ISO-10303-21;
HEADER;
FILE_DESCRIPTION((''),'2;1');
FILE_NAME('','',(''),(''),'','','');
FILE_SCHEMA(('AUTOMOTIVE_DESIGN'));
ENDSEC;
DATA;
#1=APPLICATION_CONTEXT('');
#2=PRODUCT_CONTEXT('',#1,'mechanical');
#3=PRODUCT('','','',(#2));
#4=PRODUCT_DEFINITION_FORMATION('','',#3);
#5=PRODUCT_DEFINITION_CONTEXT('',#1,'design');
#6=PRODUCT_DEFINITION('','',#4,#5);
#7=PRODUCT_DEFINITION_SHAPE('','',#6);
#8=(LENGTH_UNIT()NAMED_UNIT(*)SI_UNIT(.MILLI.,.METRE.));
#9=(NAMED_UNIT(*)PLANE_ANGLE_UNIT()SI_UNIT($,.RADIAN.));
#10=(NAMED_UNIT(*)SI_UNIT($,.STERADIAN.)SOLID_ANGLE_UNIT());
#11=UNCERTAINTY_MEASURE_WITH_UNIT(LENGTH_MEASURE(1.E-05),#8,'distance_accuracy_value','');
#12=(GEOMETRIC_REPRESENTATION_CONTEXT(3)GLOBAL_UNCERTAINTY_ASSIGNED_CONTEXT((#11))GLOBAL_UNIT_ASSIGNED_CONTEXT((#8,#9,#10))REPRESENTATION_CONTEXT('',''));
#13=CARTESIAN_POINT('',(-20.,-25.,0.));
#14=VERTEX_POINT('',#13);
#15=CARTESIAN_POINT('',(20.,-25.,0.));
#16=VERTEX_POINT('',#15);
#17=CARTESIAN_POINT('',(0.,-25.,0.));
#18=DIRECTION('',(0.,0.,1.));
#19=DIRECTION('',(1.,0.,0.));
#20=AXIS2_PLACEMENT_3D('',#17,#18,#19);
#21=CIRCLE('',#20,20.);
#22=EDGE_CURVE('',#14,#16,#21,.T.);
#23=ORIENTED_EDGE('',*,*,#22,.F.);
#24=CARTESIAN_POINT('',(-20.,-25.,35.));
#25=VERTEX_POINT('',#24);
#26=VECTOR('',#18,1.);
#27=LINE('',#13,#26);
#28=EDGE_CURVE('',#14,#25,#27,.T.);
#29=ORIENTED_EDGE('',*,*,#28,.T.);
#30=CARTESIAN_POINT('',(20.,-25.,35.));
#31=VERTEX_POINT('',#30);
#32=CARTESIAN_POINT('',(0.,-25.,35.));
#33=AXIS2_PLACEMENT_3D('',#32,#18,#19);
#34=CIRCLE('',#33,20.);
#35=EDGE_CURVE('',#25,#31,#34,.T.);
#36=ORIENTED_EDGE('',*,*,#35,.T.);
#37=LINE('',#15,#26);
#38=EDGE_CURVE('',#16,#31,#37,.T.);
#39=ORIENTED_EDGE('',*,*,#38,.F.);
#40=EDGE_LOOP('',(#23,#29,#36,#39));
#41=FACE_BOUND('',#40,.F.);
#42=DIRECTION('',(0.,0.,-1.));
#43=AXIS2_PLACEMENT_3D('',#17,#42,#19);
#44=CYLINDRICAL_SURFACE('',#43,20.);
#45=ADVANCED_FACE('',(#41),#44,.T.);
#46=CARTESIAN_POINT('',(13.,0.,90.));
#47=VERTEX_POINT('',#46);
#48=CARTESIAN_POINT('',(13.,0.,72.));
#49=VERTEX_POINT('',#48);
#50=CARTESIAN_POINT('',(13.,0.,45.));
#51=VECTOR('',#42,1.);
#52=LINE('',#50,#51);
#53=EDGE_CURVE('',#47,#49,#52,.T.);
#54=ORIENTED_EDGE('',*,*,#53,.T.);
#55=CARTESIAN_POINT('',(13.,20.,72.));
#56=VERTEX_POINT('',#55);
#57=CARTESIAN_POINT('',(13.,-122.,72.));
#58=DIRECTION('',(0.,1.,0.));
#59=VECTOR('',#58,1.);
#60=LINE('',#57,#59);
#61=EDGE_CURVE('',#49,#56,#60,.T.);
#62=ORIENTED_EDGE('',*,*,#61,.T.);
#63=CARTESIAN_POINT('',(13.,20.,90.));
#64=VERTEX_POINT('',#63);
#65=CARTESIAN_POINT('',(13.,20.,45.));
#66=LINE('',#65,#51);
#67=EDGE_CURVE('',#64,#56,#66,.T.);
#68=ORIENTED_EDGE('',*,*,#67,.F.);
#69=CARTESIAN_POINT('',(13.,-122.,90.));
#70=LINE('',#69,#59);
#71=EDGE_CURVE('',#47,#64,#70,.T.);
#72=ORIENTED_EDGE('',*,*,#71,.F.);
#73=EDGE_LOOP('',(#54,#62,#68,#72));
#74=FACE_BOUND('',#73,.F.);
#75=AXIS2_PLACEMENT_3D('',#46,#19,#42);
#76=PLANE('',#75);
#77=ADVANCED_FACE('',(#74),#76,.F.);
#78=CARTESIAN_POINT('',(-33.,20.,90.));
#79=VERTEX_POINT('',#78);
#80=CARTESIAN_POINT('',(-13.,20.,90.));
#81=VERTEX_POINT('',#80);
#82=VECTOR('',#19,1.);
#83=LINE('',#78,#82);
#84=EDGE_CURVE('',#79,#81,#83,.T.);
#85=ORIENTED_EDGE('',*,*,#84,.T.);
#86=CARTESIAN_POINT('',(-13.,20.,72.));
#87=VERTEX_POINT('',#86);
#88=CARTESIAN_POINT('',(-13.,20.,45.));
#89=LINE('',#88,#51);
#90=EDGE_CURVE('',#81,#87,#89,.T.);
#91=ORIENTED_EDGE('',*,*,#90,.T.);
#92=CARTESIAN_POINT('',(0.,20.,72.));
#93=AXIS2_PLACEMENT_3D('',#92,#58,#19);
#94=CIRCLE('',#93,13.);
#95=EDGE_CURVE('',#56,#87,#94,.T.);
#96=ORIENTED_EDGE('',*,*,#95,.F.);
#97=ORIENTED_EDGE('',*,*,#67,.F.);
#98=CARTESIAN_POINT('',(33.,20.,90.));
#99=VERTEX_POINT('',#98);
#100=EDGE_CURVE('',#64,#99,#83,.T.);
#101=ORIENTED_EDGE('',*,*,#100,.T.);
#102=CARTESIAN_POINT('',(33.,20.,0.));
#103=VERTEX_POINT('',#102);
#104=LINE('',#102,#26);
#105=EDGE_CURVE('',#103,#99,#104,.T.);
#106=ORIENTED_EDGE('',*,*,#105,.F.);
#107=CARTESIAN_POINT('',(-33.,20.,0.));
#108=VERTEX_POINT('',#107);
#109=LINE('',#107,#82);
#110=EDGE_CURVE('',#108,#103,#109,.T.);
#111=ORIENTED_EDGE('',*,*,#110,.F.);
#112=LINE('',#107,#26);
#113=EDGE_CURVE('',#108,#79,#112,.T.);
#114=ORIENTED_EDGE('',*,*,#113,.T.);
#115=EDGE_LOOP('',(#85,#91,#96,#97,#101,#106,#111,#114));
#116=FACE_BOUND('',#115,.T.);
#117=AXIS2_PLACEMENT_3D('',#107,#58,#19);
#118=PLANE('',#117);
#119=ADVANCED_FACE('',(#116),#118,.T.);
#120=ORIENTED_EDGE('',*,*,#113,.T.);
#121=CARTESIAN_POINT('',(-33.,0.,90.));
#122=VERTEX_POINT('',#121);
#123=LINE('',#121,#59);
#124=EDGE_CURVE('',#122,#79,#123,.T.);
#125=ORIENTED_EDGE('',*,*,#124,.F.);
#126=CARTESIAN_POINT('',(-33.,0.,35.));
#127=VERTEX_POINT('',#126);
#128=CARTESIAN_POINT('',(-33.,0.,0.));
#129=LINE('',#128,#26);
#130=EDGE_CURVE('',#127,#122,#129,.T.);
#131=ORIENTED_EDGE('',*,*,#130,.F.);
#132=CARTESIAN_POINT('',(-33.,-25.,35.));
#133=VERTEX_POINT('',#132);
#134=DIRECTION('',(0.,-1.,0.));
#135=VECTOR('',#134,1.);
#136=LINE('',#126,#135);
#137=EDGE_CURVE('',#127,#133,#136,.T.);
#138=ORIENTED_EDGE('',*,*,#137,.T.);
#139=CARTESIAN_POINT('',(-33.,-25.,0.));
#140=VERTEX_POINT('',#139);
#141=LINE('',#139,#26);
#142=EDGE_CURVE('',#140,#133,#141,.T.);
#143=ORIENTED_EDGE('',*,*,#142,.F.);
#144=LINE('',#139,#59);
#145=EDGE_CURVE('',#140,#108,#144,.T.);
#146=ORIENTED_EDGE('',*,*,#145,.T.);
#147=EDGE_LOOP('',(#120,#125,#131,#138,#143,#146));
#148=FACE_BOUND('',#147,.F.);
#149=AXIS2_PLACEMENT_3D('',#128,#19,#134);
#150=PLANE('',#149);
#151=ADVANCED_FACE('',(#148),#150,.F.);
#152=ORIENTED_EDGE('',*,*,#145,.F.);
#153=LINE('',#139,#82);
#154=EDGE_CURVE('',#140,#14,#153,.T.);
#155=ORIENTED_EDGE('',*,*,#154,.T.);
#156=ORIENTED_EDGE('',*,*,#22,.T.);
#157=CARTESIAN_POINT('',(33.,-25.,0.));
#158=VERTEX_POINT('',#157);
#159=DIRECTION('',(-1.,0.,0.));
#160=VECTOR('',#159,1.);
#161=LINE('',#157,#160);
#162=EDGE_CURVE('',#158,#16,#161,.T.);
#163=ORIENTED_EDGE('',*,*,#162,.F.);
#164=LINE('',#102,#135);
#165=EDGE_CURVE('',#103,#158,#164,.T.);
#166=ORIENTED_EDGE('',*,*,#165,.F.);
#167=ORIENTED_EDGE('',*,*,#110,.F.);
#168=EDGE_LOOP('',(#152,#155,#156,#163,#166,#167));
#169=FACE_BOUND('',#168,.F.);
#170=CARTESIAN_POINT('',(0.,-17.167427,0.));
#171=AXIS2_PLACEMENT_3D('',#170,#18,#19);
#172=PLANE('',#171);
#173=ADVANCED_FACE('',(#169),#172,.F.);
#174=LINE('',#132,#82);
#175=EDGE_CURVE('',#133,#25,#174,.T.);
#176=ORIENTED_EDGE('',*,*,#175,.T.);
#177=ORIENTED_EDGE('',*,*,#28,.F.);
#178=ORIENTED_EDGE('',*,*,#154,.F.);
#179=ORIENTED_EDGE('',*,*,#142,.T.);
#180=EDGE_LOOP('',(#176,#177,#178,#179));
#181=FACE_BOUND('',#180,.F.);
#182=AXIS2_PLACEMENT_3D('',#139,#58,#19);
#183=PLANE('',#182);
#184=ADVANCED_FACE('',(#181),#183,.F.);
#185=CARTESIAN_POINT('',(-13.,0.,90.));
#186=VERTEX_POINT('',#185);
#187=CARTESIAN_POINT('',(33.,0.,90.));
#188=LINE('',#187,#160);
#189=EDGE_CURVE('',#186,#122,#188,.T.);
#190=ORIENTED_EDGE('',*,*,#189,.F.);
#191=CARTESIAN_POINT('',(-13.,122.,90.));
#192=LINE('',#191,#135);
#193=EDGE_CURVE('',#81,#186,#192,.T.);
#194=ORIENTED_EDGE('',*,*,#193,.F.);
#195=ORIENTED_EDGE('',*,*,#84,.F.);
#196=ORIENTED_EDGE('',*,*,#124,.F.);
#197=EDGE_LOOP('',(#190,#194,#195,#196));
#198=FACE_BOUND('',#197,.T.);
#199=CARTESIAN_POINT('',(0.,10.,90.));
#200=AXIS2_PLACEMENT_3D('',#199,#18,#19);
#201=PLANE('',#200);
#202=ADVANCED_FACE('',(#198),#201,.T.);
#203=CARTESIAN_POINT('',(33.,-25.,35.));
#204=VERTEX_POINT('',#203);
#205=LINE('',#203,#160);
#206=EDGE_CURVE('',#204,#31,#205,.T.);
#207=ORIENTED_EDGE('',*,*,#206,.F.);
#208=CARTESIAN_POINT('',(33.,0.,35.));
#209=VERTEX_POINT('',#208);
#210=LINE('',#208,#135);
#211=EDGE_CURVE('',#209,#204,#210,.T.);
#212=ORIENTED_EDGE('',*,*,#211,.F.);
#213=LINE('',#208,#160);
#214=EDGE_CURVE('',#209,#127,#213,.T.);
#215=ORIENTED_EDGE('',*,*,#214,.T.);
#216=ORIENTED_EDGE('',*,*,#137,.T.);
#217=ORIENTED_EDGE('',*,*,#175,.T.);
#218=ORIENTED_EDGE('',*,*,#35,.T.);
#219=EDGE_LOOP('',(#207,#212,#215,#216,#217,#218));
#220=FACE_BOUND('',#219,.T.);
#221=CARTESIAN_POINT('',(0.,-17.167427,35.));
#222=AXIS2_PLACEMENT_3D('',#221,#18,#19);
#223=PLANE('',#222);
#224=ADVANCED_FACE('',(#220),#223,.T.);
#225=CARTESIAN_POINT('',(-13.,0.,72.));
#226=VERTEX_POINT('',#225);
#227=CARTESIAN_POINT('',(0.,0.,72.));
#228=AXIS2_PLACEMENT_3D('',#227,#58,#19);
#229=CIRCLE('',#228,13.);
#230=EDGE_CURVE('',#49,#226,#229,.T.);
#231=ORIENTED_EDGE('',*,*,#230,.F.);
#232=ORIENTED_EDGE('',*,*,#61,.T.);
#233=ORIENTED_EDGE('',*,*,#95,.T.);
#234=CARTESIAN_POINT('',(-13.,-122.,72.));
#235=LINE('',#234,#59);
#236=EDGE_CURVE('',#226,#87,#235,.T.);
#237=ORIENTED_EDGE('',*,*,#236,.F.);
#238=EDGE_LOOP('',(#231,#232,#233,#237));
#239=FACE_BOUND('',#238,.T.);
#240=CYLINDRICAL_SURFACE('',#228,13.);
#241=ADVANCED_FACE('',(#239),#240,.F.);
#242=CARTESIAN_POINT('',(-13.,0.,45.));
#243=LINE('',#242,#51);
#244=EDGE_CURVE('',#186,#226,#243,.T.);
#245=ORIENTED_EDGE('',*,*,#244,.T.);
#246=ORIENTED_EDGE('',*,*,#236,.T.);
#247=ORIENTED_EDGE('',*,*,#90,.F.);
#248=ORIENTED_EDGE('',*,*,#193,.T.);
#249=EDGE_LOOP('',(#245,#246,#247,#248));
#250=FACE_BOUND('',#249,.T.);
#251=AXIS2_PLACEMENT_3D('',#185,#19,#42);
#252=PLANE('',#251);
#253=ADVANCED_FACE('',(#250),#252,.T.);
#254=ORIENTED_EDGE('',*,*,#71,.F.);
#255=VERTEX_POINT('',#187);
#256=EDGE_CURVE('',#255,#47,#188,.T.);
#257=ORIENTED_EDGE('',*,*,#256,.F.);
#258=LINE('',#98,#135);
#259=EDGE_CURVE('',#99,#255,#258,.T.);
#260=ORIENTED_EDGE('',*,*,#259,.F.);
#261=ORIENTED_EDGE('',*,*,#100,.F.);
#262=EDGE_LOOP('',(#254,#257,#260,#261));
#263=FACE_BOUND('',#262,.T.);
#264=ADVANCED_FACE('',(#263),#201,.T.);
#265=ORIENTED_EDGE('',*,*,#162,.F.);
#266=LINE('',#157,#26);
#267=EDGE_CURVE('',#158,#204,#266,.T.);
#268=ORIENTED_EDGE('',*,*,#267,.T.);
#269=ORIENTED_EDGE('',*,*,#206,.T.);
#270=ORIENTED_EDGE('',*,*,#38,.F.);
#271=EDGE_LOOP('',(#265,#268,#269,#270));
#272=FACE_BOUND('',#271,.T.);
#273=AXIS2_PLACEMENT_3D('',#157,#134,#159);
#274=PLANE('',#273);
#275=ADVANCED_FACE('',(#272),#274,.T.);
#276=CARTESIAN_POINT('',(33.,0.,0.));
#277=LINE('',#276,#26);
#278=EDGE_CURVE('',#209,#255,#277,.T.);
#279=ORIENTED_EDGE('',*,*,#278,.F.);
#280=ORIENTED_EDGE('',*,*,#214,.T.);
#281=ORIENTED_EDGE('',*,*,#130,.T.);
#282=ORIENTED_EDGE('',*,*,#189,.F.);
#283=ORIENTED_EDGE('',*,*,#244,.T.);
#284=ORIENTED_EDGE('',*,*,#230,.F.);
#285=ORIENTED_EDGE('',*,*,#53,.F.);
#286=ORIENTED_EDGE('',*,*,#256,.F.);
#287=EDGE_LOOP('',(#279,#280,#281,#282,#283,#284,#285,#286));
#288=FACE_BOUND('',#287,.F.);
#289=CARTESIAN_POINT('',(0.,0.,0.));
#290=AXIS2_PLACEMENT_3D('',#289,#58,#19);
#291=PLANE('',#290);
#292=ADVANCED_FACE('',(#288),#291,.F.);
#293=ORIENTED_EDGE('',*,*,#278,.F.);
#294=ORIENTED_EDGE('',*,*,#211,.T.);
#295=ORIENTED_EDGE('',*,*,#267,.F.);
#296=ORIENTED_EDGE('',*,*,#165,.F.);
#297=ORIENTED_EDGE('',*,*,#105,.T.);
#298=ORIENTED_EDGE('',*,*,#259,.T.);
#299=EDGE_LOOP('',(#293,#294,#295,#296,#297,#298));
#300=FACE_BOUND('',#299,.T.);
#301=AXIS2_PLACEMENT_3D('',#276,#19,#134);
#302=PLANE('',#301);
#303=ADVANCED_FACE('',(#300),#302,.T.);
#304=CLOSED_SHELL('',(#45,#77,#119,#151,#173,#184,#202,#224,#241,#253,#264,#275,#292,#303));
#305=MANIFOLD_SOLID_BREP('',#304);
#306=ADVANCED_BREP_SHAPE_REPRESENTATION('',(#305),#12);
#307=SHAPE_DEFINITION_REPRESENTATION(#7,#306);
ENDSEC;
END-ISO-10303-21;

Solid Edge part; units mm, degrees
sketch "Sketch1" plane through (0, 0, 0) normal (0, 0, 1) x (1, 0, 0)
  arc A0 (-20, -25) -> (20, -25) centre (0, -25) ccw
  line L0 (33, -25) -> (20, -25)
  line L1 (33, 0) -> (33, -25)
  line L2 (0, 0) -> (33, 0)
  line L3 (0, 0) -> (-33, 0)
  line L4 (-33, 0) -> (-33, -25)
  line L5 (-33, -25) -> (-20, -25)
extrude "Protrusion1" add sketch "Sketch1" along normal blind 35
sketch "Sketch2" plane through (0, 0, 0) normal (0, 0, 1) x (1, 0, 0)
  line L0 (0, 0) -> (33, 0)
  line L1 (33, 20) -> (33, 0)
  line L2 (-33, 20) -> (33, 20)
  line L3 (-33, 0) -> (-33, 20)
  line L4 (0, 0) -> (-33, 0)
extrude "ExtrudedProtrusion_2" add sketch "Sketch2" along normal blind 90
sketch "Sketch3" plane through (0, 0, 62.5) normal (0, -1, 0) x (1, 0, 0)
  line L0 (33, 27.5) -> (13, 27.5)
  line L1 (13, 27.5) -> (13, 9.5)
  arc A0 (-13, 9.5) -> (13, 9.5) centre (0, 9.5) ccw
  line L2 (-13, 27.5) -> (-13, 9.5)
  line L3 (-33, 27.5) -> (-13, 27.5)
extrude "ExtrudedCutout_1" cut sketch "Sketch3" along normal mid plane 244 material side at (23, 0, 90.05)
